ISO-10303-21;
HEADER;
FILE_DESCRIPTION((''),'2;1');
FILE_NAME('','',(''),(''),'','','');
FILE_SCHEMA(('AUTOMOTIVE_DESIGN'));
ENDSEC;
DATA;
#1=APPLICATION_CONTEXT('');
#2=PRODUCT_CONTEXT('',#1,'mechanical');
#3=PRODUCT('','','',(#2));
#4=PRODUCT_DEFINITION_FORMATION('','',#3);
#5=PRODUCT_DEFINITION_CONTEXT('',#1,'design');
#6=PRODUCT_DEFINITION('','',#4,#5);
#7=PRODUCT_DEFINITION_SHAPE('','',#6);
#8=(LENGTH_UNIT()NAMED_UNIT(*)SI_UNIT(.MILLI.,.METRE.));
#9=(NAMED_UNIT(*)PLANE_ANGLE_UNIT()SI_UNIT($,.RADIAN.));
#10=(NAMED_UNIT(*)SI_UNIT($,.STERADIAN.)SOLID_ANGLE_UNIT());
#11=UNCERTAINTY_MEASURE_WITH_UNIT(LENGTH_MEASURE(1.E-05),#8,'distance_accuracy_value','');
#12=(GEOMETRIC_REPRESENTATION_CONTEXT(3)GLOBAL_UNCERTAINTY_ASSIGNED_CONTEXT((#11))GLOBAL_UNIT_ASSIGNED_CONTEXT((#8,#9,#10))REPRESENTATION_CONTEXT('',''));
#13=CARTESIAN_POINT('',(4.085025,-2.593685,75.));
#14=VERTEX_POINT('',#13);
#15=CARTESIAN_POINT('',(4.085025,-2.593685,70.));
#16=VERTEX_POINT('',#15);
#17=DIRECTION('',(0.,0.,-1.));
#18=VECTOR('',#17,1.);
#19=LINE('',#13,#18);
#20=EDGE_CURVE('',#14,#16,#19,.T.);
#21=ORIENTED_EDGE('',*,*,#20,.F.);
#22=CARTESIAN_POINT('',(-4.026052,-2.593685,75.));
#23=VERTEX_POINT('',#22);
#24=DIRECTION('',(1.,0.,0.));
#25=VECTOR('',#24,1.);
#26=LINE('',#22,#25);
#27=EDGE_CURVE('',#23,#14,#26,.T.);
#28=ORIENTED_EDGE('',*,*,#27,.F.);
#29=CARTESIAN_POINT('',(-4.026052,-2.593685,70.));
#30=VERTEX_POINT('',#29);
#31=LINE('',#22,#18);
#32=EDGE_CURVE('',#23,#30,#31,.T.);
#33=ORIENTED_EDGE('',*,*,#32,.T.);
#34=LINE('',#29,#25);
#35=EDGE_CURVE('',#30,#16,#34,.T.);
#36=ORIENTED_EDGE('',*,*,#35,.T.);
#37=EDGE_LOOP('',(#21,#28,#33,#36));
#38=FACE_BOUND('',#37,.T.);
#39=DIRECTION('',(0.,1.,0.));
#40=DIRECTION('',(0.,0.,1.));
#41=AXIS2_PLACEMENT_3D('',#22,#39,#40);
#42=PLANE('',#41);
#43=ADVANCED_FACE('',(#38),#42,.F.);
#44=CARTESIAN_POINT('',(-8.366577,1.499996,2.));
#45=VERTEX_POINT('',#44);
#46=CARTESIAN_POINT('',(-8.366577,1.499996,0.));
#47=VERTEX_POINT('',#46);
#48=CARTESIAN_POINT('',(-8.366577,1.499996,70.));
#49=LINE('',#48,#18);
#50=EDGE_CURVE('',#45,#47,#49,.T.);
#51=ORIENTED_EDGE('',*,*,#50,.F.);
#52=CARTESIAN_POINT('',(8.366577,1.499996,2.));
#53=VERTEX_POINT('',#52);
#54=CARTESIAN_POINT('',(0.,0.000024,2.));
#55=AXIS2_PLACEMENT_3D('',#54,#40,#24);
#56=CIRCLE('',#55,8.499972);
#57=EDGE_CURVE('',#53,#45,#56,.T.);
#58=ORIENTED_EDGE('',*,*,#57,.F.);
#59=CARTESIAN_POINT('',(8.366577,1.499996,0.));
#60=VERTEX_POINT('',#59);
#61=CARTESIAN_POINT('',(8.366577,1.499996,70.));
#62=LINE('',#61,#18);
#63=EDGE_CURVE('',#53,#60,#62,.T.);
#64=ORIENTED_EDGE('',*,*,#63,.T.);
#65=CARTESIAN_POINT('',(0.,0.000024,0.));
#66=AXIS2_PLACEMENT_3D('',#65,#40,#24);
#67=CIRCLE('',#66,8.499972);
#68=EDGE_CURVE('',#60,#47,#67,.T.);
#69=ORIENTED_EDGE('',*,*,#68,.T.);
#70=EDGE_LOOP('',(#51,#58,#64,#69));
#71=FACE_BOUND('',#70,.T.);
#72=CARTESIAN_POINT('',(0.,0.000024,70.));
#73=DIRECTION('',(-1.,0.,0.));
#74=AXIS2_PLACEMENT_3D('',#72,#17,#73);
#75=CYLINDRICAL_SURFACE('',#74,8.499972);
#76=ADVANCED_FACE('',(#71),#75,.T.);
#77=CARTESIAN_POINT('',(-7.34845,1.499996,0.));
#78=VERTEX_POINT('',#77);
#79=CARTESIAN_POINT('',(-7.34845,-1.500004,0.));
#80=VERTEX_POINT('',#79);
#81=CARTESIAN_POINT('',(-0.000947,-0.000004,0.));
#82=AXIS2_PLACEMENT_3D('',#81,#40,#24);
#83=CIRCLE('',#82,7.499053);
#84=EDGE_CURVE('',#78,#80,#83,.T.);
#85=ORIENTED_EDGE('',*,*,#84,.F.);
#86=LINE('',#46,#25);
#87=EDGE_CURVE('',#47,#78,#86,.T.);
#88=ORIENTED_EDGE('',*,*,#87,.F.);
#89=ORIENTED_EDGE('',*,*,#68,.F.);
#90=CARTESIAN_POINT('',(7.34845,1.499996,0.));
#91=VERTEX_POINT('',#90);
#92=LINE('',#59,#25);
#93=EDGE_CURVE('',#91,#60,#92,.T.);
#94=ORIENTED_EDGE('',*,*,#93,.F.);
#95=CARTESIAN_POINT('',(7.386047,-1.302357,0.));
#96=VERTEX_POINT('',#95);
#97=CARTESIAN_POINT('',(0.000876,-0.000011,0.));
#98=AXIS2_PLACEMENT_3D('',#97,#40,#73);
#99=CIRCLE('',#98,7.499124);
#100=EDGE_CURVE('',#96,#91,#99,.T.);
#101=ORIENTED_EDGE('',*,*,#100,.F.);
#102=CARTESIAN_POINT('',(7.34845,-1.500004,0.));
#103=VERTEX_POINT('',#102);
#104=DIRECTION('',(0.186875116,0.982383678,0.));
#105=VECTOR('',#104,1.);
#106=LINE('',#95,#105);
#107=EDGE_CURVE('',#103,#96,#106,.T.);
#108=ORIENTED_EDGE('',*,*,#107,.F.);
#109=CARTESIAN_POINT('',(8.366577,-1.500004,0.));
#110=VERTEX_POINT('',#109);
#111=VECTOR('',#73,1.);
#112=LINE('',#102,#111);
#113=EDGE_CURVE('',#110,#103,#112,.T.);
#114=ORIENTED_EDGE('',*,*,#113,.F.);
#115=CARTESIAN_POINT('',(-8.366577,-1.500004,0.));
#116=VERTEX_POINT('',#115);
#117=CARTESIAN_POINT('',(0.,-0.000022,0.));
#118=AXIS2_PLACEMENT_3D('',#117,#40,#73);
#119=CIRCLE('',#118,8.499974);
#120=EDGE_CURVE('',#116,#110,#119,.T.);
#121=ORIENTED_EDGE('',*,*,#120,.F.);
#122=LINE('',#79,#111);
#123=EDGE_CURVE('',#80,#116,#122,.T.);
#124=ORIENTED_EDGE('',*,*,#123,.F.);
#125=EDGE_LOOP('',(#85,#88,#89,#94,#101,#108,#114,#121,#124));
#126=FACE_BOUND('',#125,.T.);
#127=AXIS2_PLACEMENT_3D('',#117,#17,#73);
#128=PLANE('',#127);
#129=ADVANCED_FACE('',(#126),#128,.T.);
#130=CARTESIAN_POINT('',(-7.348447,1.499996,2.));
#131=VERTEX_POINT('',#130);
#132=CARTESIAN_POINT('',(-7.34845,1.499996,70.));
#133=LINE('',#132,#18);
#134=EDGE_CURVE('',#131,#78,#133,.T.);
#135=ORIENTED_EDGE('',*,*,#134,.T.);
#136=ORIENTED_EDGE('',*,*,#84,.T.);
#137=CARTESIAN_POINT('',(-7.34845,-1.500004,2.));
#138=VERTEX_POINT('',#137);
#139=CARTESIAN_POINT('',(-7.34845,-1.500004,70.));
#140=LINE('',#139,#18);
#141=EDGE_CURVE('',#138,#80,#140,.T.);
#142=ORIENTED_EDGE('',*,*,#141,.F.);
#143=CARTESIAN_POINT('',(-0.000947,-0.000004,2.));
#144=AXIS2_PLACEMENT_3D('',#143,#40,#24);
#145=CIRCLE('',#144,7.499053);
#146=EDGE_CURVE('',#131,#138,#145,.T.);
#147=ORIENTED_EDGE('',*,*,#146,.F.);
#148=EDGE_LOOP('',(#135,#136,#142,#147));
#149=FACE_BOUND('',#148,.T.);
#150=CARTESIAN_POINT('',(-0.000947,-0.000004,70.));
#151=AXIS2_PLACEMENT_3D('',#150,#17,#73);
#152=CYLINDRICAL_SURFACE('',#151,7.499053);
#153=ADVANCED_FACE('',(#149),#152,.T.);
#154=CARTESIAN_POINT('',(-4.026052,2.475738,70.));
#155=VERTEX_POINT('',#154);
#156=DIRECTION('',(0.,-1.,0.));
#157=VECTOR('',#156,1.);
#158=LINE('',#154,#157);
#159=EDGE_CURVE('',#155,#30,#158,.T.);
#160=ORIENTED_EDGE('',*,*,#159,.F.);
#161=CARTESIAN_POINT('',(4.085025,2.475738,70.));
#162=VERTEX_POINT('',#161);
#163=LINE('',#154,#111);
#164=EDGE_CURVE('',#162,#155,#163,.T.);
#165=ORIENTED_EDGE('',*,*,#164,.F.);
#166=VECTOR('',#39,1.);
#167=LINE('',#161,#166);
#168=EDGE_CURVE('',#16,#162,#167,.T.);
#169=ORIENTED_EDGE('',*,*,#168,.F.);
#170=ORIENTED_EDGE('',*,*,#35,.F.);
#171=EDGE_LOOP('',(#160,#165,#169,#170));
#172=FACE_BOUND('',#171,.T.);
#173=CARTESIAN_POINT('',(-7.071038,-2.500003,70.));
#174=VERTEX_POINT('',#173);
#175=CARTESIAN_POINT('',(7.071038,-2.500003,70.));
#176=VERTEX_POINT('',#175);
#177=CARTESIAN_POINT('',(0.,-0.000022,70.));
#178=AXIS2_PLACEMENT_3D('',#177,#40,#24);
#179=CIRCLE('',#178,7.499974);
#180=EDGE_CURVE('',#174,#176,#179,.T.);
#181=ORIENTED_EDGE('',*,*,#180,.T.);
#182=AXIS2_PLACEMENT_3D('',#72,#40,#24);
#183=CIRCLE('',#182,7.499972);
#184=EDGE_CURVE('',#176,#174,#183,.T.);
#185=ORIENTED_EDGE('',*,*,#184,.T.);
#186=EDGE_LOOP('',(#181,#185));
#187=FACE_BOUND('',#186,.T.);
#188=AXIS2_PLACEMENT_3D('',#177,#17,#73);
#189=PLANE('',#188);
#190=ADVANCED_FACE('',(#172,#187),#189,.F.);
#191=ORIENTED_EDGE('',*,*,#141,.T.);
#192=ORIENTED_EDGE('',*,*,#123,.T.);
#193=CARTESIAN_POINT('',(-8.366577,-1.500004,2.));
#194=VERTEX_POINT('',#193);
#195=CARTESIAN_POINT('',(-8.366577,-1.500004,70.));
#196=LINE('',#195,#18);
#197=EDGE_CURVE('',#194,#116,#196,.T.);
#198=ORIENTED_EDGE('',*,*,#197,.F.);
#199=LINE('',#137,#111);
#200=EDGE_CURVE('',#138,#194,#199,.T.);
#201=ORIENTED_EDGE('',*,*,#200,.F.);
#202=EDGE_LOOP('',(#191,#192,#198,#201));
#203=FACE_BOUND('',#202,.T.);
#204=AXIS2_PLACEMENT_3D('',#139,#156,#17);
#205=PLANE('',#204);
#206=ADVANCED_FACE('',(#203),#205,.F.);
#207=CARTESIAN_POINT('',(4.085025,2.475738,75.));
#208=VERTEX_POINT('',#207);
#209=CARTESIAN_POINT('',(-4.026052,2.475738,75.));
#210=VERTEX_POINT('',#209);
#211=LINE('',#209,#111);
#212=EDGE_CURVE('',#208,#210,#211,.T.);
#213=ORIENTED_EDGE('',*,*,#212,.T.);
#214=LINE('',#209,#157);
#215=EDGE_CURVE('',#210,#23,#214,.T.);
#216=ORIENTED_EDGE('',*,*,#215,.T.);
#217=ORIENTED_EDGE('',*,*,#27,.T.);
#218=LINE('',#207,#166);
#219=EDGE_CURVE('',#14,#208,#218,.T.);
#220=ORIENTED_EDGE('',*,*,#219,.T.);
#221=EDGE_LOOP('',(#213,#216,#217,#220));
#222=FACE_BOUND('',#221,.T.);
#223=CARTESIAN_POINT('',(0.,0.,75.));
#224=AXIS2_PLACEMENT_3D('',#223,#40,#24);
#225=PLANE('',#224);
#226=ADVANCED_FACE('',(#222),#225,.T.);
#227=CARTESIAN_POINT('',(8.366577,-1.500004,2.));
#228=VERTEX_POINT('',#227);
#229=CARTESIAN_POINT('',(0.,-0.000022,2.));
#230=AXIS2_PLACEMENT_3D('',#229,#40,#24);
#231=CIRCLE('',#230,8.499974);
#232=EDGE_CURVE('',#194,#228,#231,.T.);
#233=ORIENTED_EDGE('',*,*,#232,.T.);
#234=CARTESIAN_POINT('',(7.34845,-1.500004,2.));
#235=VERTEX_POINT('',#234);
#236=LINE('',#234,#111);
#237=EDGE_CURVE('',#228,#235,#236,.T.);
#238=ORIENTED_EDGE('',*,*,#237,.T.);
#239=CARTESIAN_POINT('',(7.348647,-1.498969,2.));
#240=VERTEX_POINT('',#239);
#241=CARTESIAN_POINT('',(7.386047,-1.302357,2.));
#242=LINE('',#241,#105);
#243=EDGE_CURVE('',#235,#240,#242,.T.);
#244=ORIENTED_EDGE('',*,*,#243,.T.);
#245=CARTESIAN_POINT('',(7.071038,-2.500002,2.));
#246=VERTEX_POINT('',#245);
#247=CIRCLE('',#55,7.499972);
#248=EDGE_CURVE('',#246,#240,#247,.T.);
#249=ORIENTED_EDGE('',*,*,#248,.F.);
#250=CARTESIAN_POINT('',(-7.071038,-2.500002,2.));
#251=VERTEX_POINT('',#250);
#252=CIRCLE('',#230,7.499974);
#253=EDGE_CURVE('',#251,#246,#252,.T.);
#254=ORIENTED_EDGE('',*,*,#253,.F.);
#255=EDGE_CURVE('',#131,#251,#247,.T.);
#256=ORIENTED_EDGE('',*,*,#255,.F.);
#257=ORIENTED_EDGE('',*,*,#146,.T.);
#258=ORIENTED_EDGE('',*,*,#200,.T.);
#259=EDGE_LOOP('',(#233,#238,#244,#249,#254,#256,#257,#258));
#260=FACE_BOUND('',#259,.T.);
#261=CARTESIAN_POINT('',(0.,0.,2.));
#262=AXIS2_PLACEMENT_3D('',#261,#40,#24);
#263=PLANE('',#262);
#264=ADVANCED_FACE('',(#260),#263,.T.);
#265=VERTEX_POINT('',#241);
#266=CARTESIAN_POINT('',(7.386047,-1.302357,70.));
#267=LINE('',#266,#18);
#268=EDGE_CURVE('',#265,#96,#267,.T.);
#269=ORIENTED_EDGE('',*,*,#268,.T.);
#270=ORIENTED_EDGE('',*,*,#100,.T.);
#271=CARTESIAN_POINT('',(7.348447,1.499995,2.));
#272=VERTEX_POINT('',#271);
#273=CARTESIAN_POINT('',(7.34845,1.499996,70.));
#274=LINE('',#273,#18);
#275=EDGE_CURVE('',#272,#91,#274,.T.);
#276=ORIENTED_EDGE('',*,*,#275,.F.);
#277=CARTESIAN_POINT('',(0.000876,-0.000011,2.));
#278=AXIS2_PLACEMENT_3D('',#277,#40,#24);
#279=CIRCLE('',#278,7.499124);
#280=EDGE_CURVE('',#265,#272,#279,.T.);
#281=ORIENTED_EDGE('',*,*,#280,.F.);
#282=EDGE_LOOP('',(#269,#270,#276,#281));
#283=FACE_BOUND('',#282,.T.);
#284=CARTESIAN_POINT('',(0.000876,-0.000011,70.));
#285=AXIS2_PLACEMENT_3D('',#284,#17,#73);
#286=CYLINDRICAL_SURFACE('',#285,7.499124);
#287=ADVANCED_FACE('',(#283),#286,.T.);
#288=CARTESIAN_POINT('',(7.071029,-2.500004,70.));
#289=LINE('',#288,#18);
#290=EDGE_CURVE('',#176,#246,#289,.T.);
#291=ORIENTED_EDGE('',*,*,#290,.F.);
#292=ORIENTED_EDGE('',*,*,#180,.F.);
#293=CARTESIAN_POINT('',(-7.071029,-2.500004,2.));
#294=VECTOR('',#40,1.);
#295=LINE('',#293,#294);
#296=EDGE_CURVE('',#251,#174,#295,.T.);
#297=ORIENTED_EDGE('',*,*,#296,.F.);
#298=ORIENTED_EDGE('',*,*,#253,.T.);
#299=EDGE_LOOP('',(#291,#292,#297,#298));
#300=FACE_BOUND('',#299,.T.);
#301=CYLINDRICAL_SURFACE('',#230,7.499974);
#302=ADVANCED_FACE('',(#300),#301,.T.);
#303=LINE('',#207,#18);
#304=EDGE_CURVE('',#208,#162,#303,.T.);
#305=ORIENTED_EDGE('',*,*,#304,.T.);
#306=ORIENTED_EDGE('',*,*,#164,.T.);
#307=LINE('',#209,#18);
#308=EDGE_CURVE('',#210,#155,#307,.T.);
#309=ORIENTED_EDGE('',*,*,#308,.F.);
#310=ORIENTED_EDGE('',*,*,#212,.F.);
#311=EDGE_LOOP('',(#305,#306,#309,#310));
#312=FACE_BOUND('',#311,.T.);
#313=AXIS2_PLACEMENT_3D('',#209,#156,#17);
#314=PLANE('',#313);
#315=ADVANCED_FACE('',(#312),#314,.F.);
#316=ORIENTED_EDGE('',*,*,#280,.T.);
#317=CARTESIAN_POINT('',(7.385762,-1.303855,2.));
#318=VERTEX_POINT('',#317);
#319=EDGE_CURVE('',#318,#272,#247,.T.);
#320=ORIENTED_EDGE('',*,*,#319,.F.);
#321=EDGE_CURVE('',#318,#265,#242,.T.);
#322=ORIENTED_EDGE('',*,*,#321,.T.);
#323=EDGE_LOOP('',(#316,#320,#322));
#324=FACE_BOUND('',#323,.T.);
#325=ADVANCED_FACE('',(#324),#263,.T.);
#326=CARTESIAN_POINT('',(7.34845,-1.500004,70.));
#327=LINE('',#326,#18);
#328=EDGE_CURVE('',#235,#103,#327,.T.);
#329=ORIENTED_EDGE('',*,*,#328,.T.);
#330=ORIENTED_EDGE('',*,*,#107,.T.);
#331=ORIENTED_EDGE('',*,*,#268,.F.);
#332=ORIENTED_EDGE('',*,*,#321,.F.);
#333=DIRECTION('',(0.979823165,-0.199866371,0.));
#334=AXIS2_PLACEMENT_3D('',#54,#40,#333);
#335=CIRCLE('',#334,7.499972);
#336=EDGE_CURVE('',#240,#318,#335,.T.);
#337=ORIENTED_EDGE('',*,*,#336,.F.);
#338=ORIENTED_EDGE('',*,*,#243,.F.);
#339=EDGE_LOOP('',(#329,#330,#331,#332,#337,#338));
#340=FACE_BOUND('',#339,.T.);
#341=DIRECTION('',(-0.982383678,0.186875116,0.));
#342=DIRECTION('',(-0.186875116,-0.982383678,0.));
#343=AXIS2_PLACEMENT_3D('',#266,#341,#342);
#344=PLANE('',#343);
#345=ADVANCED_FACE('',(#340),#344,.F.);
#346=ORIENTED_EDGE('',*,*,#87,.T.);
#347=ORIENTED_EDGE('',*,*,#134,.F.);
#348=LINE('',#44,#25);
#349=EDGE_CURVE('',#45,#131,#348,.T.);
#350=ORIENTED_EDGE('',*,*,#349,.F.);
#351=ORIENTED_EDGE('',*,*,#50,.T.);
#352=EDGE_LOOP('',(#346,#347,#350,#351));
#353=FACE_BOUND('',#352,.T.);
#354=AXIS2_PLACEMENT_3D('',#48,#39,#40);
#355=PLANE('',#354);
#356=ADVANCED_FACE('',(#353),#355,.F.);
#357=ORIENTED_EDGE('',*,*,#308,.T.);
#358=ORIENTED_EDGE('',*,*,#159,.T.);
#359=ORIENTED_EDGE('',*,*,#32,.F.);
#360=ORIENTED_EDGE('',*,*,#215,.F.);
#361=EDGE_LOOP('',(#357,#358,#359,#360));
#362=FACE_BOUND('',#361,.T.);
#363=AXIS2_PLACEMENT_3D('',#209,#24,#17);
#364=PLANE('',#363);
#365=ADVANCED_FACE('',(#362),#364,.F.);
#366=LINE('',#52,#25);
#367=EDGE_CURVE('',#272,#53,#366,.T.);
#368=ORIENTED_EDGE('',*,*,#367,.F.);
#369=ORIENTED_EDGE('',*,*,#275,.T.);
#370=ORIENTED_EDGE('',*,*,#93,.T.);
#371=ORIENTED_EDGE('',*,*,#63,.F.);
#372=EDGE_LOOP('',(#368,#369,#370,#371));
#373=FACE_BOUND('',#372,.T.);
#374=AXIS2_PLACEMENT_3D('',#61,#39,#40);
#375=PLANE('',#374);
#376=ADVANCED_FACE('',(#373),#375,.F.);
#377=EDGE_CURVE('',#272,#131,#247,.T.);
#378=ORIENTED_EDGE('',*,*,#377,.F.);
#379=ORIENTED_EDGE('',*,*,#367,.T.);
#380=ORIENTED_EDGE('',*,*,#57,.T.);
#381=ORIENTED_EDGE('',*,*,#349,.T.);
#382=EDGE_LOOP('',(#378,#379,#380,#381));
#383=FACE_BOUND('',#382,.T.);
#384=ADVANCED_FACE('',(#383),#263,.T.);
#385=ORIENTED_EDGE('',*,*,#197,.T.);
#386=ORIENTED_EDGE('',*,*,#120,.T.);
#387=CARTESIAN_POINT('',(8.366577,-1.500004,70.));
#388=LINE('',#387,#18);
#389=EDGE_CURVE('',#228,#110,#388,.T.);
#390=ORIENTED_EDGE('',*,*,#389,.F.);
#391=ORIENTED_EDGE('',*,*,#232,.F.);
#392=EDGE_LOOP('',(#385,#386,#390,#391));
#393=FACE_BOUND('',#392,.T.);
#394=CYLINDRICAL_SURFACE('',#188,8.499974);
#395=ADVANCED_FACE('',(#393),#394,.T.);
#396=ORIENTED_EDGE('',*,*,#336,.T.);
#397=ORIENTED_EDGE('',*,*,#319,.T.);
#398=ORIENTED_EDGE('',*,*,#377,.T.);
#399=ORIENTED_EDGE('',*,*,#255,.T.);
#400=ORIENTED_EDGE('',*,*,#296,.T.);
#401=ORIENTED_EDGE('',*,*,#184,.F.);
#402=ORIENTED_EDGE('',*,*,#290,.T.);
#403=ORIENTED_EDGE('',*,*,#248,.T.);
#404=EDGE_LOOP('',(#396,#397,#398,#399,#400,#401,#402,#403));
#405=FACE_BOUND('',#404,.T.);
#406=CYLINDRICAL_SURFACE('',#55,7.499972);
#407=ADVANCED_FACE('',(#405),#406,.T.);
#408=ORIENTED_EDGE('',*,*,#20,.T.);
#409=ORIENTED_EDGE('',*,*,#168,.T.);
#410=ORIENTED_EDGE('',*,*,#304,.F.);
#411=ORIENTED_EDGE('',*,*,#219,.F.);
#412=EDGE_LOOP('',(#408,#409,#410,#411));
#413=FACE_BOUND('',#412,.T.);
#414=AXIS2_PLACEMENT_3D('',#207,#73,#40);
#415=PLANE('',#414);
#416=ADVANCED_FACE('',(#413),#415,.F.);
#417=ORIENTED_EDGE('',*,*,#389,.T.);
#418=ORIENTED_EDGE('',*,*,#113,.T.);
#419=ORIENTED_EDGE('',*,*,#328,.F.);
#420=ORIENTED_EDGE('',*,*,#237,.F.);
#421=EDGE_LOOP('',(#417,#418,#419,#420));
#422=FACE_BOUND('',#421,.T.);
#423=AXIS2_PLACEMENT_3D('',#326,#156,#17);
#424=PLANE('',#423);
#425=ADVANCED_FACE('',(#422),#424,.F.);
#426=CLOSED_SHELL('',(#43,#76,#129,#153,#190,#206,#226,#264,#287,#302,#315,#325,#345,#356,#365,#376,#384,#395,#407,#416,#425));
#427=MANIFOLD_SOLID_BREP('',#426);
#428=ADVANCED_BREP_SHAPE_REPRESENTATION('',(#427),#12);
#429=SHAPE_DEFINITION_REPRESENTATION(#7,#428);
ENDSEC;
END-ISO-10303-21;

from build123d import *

# Parameters (mm, degrees)
BOSS_EXTRUDE1_DEPTH = 70
SKETCH3_OUTSIDE_W   = 33.524
SKETCH3_OUTSIDE_H   = 33.79
CUT_EXTRUDE1_DEPTH  = 68
SKETCH4_R           = 7.49997237
BOSS_EXTRUDE2_DEPTH = 68
SKETCH5_W           = 8.11107671
SKETCH5_H           = 5.069422944
BOSS_EXTRUDE3_DEPTH = 5


with BuildPart() as part:
    # Sketch1 → Boss-Extrude1 (new body)
    with BuildSketch(Plane.XY):
        with BuildLine():
            Line((8.366577148, 1.499996008), (7.348449707, 1.499996008))
            ThreePointArc((7.348449707, 1.499996008), (7.499325165, 0.100591557), (7.386047363, -1.302356897))
            Line((7.386047363, -1.302356897), (7.348449707, -1.500003992))
            Line((7.348449707, -1.500003992), (8.366577148, -1.500003992))
            ThreePointArc((8.366577148, -1.500003992), (0, -8.499996008), (-8.366577148, -1.500003992))
            Line((-8.366577148, -1.500003992), (-7.348449707, -1.500003992))
            ThreePointArc((-7.348449707, -1.500003992), (-7.5, -3.992e-06), (-7.348449707, 1.499996008))
            Line((-7.348449707, 1.499996008), (-8.366577148, 1.499996008))
            ThreePointArc((-8.366577148, 1.499996008), (0, 8.499996008), (8.366577148, 1.499996008))
        make_face()
    extrude(amount=BOSS_EXTRUDE1_DEPTH)

    # Sketch3 outside → Cut-Extrude1 (cut)
    with BuildSketch(Plane.XY.offset(70)):
        Rectangle(SKETCH3_OUTSIDE_W, SKETCH3_OUTSIDE_H)
        with BuildLine():
            Line((7.071046662, -2.500003992), (6.140291283, -2.500003992))
            Line((6.140291283, -2.500003992), (6.402364031, -1.122313933))
            ThreePointArc((6.402364031, -1.122313933), (6.46025724, 0.717628617), (5.999924003, 2.499996008))
            Line((5.999924003, 2.499996008), (7.071048275, 2.499996008))
            ThreePointArc((7.071048275, 2.499996008), (0, 7.499996008), (-7.071048275, 2.499996008))
            Line((-7.071048275, 2.499996008), (-5.999921107, 2.499996008))
            ThreePointArc((-5.999921107, 2.499996008), (-6.5, -3.992e-06), (-5.999921107, -2.500003992))
            Line((-5.999921107, -2.500003992), (-7.071046662, -2.500003992))
            ThreePointArc((-7.071046662, -2.500003992), (0, -7.499996008), (7.071046662, -2.500003992))
        make_face(mode=Mode.SUBTRACT)
    extrude(amount=-CUT_EXTRUDE1_DEPTH, mode=Mode.SUBTRACT)

    # Sketch4 → Boss-Extrude2 (add)
    with BuildSketch(Plane.XY.offset(70)):
        with Locations((0, 2.3638e-05)):
            Circle(SKETCH4_R)
    extrude(amount=-BOSS_EXTRUDE2_DEPTH)

    # Sketch5 → Boss-Extrude3 (add)
    with BuildSketch(Plane.XY.offset(70)):
        with Locations((0.02948665, -0.0589733)):
            Rectangle(SKETCH5_W, SKETCH5_H)
    extrude(amount=BOSS_EXTRUDE3_DEPTH)


solid = part.part
